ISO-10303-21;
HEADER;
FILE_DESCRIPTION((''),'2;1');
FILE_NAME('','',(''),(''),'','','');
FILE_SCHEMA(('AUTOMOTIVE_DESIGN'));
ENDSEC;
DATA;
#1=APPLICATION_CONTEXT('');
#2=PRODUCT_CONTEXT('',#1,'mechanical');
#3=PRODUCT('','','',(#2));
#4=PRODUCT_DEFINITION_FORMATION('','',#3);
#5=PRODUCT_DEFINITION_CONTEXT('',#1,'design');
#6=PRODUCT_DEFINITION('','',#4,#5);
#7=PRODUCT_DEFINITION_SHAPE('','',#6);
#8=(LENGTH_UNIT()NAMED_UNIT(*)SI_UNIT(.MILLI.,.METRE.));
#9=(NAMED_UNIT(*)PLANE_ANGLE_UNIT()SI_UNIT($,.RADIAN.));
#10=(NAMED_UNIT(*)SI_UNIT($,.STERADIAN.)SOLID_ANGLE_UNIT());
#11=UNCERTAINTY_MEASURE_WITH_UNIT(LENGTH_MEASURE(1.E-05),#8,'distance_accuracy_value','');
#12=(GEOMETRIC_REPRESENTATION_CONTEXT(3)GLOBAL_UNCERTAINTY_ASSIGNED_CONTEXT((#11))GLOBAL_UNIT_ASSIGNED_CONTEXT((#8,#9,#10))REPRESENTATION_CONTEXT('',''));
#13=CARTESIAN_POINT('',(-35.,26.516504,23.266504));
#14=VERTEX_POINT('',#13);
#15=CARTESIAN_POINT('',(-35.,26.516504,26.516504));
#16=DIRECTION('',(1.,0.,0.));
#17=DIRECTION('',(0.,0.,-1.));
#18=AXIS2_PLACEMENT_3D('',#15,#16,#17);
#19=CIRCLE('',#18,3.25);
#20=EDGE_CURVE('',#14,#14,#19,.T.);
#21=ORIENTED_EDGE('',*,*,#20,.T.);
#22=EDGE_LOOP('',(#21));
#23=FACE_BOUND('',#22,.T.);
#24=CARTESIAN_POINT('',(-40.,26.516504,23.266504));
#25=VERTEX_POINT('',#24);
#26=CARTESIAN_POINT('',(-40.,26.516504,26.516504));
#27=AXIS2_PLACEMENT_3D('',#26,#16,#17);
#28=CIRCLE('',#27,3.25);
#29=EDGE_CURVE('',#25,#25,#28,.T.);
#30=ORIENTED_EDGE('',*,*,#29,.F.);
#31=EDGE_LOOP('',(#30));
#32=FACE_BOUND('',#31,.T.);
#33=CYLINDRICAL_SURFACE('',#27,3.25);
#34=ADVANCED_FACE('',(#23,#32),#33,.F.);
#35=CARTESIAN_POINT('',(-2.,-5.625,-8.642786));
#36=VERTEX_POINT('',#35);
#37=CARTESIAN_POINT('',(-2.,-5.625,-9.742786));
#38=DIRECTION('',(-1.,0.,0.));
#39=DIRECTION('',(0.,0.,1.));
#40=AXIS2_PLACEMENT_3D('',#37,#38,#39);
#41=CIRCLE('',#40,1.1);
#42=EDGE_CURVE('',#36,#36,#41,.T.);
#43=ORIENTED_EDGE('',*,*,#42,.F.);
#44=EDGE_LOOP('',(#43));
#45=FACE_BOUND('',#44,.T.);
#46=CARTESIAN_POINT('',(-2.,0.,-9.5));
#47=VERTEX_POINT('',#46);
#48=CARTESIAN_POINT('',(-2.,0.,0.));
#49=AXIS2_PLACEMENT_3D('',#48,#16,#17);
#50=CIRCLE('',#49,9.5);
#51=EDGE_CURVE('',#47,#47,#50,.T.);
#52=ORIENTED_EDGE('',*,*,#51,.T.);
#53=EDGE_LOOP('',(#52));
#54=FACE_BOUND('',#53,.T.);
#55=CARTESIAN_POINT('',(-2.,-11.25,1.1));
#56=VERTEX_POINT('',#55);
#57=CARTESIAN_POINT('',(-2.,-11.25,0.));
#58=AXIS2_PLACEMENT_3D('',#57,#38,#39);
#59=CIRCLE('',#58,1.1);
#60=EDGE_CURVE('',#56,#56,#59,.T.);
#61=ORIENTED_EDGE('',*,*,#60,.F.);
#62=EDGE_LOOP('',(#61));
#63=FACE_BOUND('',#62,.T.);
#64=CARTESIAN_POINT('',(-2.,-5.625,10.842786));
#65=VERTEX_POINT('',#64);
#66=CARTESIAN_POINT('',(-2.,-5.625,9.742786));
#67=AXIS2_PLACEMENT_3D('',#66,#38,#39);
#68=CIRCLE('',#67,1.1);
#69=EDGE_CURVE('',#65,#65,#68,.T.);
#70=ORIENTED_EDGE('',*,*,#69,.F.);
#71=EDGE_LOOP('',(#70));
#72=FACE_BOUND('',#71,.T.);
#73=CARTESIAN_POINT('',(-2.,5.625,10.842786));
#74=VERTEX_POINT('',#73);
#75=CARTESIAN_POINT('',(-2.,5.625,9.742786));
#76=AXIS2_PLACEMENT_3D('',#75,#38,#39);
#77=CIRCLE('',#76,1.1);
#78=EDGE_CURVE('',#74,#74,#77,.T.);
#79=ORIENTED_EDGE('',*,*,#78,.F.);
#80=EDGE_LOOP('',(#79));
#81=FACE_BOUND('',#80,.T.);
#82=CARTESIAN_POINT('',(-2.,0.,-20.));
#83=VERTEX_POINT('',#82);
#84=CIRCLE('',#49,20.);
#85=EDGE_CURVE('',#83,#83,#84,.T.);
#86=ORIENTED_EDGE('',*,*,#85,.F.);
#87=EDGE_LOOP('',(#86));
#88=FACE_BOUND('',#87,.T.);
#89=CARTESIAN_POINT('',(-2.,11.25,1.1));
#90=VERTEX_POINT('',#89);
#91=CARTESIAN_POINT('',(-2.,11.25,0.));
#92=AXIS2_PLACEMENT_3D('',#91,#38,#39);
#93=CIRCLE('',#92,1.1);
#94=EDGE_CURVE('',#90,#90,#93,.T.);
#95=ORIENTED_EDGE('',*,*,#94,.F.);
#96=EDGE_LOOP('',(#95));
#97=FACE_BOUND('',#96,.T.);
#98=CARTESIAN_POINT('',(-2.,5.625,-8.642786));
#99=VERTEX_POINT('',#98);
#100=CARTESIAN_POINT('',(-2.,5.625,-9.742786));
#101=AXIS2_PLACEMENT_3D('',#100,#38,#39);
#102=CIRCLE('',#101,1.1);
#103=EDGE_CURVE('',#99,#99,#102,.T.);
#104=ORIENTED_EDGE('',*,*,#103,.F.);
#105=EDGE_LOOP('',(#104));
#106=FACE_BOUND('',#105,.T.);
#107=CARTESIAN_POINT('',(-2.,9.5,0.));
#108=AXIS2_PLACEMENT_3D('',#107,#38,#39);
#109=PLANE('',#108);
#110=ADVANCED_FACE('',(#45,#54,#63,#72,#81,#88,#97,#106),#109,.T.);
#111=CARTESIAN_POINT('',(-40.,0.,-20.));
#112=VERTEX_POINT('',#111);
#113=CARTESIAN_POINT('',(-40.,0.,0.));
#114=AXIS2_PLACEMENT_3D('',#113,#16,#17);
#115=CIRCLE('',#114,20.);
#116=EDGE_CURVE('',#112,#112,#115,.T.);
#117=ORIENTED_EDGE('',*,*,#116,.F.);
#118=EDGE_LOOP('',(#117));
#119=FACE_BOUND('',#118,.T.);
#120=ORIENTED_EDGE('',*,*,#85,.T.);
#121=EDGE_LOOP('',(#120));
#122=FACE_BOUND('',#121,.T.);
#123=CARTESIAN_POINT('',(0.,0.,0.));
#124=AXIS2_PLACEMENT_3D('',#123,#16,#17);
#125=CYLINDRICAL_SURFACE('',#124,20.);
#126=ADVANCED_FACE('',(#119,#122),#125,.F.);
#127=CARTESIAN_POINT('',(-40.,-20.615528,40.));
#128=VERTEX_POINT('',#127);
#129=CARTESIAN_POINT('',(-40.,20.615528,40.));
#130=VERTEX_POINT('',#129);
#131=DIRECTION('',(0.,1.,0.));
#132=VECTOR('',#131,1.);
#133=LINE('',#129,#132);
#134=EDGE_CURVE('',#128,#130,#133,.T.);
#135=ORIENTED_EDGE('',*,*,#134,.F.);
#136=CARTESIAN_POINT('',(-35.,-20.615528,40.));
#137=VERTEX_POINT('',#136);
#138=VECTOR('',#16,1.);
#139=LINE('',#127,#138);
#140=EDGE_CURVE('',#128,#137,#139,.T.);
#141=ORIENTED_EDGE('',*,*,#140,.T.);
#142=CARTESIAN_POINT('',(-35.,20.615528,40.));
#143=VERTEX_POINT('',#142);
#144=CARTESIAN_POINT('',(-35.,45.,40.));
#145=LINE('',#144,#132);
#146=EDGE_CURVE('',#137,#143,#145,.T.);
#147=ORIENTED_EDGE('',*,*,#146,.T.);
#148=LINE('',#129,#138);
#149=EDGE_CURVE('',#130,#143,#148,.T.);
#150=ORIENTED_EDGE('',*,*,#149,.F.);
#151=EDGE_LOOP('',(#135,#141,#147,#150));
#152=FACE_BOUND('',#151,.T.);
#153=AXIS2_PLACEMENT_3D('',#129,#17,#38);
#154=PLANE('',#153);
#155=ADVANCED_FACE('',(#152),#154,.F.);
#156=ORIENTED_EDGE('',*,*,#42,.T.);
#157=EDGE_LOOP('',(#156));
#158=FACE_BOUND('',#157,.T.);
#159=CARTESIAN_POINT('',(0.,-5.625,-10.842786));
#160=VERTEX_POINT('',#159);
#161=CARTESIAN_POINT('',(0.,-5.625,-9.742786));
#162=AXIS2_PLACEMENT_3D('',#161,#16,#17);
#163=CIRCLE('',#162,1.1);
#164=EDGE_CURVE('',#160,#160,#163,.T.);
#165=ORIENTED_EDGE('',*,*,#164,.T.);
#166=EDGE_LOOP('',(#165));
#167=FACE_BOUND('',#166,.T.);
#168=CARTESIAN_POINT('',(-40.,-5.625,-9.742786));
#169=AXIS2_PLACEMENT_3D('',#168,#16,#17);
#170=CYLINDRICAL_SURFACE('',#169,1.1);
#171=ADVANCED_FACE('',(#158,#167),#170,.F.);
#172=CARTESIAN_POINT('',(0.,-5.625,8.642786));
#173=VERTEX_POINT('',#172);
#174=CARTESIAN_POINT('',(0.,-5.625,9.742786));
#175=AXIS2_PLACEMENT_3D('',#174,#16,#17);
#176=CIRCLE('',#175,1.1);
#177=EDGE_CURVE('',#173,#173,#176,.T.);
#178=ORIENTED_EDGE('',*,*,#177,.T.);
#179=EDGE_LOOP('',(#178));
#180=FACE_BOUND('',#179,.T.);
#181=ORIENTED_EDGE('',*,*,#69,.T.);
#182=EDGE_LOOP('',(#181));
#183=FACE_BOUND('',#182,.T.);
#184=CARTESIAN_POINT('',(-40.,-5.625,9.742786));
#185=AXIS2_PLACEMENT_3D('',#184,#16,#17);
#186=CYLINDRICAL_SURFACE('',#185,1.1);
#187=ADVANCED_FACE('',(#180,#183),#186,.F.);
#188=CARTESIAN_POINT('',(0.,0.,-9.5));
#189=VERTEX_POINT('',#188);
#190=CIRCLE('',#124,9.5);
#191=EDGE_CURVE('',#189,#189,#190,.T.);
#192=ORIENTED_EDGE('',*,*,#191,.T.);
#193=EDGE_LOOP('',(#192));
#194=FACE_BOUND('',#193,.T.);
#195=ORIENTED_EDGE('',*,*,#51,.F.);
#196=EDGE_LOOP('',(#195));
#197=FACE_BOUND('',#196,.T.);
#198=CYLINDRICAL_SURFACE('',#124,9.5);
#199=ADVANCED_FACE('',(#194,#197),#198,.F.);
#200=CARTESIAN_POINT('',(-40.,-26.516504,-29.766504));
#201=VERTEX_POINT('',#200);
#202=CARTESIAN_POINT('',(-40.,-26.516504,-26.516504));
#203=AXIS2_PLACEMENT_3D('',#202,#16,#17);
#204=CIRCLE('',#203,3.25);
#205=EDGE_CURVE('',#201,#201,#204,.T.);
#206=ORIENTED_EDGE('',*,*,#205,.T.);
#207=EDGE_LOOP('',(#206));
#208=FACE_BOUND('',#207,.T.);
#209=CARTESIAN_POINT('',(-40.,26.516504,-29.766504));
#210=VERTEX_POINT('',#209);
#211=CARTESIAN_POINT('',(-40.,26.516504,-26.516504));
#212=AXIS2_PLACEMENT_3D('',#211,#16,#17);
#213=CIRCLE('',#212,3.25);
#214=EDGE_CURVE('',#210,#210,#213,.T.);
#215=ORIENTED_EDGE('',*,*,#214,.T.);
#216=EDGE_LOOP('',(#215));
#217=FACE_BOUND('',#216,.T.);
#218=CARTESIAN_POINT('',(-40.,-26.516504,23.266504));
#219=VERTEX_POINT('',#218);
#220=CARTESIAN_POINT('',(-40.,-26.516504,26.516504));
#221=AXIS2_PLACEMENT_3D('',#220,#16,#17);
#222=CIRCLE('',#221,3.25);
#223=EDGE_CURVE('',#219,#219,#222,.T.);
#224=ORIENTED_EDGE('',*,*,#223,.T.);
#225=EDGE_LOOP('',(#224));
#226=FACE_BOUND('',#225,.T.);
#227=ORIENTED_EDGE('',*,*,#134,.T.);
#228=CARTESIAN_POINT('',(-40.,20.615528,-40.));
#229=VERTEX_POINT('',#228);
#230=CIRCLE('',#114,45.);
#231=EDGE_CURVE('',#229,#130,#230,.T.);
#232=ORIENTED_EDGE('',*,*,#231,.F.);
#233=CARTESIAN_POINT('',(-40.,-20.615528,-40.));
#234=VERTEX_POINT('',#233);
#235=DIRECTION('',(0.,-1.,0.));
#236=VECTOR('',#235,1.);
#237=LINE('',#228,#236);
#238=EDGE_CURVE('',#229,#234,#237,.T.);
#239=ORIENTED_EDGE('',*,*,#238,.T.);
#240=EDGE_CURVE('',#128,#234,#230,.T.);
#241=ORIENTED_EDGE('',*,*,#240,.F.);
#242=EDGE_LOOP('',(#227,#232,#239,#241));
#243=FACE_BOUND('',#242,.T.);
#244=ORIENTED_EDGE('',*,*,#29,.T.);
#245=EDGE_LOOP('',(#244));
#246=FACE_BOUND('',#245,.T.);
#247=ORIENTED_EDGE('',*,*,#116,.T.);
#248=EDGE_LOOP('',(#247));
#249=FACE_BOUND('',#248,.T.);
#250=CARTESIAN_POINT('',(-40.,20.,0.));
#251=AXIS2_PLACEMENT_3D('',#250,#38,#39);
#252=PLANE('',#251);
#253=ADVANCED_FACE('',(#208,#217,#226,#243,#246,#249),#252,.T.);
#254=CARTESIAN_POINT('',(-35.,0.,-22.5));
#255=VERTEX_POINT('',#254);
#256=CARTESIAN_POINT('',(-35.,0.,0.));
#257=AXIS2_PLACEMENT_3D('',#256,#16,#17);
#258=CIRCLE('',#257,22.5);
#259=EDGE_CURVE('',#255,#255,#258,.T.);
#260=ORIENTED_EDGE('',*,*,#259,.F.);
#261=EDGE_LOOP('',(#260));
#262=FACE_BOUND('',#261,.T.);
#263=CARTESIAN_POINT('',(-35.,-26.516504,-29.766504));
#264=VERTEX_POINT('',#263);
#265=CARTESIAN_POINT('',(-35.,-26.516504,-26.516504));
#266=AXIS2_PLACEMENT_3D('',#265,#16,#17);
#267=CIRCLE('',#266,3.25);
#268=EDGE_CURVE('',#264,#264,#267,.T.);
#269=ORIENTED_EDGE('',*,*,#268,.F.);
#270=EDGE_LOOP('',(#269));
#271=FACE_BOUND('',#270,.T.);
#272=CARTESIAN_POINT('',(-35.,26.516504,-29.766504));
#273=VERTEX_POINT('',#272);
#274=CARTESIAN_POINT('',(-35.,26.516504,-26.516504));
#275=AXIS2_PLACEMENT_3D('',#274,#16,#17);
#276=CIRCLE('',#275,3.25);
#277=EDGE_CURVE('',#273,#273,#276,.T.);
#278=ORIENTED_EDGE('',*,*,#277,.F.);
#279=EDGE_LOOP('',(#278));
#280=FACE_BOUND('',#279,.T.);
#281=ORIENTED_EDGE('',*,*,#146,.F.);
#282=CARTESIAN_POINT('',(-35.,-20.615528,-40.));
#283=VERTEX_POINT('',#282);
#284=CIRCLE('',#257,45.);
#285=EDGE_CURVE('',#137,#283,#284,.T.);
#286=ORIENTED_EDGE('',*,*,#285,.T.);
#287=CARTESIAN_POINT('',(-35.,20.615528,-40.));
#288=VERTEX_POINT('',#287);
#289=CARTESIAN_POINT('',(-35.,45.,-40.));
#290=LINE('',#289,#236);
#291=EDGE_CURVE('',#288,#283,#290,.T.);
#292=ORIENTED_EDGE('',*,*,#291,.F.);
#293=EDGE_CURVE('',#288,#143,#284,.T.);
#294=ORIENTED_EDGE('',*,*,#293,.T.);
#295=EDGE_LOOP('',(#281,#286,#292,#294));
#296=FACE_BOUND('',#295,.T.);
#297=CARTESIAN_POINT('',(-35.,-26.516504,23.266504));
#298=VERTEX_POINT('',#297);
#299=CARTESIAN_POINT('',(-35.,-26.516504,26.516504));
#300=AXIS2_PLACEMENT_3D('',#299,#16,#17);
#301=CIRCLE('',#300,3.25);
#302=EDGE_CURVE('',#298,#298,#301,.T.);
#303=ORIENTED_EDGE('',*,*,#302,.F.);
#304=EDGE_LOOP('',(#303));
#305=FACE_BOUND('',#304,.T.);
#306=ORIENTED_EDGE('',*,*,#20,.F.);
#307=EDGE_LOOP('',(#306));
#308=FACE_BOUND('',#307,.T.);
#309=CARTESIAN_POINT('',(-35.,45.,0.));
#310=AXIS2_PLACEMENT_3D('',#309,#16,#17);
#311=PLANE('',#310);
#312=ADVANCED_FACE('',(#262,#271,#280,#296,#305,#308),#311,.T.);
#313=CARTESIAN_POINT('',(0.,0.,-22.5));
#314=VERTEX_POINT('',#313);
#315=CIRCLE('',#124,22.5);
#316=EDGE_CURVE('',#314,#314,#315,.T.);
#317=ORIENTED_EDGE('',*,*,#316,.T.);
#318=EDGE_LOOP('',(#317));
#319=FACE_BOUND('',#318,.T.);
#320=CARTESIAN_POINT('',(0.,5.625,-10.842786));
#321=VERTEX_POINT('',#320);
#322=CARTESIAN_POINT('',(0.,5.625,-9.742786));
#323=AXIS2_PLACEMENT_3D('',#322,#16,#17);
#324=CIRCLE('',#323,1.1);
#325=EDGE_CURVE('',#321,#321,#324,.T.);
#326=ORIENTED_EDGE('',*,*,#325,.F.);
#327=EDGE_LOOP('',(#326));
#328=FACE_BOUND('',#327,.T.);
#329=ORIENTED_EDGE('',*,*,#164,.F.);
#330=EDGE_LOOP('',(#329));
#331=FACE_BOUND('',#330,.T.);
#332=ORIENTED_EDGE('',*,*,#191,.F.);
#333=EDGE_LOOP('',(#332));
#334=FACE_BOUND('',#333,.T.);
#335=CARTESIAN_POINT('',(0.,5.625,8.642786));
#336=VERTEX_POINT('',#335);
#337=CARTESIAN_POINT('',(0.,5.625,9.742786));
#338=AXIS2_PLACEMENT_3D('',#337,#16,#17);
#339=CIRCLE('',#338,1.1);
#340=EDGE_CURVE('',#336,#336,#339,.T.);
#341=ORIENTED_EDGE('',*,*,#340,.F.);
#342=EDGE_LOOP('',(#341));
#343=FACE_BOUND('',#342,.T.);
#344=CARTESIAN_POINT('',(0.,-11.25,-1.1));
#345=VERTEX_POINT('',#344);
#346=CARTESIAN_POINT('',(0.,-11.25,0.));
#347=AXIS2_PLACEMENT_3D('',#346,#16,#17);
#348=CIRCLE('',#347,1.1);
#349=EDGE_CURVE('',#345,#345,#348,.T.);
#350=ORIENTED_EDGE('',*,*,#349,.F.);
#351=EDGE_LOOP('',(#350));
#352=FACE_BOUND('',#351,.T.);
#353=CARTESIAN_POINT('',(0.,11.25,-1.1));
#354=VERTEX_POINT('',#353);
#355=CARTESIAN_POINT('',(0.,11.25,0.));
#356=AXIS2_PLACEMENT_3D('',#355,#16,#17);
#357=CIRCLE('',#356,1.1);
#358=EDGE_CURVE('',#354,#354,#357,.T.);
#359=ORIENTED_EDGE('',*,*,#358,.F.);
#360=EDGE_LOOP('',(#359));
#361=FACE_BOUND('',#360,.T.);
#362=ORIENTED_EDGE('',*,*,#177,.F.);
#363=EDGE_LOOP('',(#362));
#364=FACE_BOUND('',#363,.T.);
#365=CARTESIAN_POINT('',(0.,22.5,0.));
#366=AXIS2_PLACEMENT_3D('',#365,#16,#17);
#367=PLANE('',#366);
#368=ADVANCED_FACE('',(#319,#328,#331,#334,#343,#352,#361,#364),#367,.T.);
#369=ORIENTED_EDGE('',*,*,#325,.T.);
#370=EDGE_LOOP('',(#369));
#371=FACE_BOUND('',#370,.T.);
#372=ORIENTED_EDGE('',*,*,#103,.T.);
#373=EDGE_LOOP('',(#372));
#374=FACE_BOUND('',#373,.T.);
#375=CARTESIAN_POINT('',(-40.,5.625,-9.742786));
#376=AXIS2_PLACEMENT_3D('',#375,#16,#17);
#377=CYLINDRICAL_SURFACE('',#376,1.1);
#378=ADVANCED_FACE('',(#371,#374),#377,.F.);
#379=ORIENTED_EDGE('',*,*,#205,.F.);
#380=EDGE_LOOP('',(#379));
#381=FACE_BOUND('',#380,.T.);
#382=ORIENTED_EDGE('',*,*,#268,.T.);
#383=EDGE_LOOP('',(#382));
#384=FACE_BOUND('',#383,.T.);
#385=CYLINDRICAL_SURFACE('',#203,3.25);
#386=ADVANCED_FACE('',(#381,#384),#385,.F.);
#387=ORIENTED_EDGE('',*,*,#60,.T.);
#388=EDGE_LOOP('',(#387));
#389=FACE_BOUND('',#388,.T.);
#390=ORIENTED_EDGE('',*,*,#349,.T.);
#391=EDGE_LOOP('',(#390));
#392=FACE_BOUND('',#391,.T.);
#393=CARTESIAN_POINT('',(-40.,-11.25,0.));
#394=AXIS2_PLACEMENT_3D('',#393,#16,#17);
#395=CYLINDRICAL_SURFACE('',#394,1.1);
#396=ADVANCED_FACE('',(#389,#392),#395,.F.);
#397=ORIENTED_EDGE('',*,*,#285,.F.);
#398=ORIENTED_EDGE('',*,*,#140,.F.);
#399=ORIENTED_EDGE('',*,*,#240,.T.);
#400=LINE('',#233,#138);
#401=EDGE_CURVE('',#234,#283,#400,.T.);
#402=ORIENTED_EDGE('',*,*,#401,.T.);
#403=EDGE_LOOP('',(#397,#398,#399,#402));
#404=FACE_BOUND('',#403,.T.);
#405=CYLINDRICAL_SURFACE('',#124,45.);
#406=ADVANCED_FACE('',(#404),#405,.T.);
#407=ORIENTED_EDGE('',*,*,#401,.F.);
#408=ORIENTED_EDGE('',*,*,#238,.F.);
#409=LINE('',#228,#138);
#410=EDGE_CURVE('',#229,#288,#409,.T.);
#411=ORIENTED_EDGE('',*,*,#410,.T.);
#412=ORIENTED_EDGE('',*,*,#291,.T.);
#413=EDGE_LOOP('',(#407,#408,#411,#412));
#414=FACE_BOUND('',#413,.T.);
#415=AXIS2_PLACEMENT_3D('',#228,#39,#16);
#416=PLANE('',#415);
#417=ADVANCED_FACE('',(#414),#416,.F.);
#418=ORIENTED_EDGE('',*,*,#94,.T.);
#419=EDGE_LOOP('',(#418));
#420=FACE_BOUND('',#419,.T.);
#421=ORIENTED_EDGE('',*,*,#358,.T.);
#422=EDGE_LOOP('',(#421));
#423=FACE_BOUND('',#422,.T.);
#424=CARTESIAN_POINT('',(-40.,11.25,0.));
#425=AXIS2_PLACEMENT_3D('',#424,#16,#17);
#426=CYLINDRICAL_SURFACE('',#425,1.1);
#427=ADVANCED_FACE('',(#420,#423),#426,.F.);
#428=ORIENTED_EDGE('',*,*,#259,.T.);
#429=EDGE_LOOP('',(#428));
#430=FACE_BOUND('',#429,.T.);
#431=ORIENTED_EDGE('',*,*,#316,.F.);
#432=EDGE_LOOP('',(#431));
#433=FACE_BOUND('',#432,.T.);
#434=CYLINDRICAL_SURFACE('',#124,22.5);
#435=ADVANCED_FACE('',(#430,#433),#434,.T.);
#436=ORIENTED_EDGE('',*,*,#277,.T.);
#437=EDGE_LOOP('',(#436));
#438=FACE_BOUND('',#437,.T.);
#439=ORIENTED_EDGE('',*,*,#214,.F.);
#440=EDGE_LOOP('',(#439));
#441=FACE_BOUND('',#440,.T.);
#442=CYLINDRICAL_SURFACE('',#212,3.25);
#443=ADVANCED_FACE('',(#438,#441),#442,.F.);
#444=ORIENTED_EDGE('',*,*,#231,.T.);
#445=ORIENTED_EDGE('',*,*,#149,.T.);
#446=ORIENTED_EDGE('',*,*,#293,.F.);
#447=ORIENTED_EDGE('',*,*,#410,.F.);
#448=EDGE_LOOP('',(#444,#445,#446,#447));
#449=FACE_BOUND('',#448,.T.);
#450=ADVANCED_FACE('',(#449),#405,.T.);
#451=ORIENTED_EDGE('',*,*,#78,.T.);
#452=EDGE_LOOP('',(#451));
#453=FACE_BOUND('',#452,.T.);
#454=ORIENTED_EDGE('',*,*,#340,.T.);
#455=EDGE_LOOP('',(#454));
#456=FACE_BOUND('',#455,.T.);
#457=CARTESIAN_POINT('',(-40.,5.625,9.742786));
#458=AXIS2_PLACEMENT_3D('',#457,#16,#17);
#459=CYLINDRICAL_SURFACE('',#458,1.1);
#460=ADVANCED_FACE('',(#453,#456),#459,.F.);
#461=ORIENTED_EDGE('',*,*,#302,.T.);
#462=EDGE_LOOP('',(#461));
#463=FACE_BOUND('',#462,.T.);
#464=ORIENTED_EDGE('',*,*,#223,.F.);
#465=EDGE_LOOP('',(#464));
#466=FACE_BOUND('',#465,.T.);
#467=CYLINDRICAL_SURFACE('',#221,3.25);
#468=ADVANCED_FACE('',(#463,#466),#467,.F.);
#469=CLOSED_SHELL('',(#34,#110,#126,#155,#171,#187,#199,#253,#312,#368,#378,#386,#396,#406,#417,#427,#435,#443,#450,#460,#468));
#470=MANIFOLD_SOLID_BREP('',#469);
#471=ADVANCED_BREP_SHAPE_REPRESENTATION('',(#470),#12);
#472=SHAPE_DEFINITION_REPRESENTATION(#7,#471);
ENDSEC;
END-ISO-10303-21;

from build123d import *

# Parameters (mm, degrees)
SZKIC2_R                   = 3.25
SZKIC2_R_2                 = 1.1
SZKIC2_W                   = 5
SZKIC2_H                   = 41.231056256
WYTNIJ_WYCI_GNI_CIE1_DEPTH = 76.166481892


with BuildPart() as part:
    # Szkic1 → Obrót1 (revolve)
    with BuildSketch(Plane.XY, mode=Mode.PRIVATE) as obr_t1_sk:
        Polygon((-2, 9.5), (-2, 20), (-40, 20), (-40, 45), (-35, 45), (-35, 22.5), (0, 22.5), (0, 9.5), align=None)
    revolve(obr_t1_sk.sketch.rotate(Axis((0, 0, 0), (-1, 0, 0)), 90), axis=Axis((0, 0, 0), (-1, 0, 0)))

    # Szkic2 → Wytnij-wyciągnięcie1 (cut, through all)
    with BuildSketch(Plane(origin=(0, 0, 0), x_dir=(0, 0, -1), z_dir=(1, 0, 0))):
        with Locations((26.516504294, 26.516504294)):
            Circle(SZKIC2_R)
        with Locations((26.516504294, -26.516504294)):
            Circle(SZKIC2_R)
        with Locations((-26.516504294, -26.516504294)):
            Circle(SZKIC2_R)
        with Locations((-26.516504294, 26.516504294)):
            Circle(SZKIC2_R)
        with Locations((0, 11.25)):
            Circle(SZKIC2_R_2)
        with Locations((9.742785793, 5.625)):
            Circle(SZKIC2_R_2)
        with Locations((9.742785793, -5.625)):
            Circle(SZKIC2_R_2)
        with Locations((0, -11.25)):
            Circle(SZKIC2_R_2)
        with Locations((-9.742785793, -5.625)):
            Circle(SZKIC2_R_2)
        with Locations((-9.742785793, 5.625)):
            Circle(SZKIC2_R_2)
        with Locations((-42.5, 0)):
            Rectangle(SZKIC2_W, SZKIC2_H)
        with Locations((42.5, 0)):
            Rectangle(SZKIC2_W, SZKIC2_H)
    extrude(amount=-WYTNIJ_WYCI_GNI_CIE1_DEPTH, mode=Mode.SUBTRACT)


solid = part.part
